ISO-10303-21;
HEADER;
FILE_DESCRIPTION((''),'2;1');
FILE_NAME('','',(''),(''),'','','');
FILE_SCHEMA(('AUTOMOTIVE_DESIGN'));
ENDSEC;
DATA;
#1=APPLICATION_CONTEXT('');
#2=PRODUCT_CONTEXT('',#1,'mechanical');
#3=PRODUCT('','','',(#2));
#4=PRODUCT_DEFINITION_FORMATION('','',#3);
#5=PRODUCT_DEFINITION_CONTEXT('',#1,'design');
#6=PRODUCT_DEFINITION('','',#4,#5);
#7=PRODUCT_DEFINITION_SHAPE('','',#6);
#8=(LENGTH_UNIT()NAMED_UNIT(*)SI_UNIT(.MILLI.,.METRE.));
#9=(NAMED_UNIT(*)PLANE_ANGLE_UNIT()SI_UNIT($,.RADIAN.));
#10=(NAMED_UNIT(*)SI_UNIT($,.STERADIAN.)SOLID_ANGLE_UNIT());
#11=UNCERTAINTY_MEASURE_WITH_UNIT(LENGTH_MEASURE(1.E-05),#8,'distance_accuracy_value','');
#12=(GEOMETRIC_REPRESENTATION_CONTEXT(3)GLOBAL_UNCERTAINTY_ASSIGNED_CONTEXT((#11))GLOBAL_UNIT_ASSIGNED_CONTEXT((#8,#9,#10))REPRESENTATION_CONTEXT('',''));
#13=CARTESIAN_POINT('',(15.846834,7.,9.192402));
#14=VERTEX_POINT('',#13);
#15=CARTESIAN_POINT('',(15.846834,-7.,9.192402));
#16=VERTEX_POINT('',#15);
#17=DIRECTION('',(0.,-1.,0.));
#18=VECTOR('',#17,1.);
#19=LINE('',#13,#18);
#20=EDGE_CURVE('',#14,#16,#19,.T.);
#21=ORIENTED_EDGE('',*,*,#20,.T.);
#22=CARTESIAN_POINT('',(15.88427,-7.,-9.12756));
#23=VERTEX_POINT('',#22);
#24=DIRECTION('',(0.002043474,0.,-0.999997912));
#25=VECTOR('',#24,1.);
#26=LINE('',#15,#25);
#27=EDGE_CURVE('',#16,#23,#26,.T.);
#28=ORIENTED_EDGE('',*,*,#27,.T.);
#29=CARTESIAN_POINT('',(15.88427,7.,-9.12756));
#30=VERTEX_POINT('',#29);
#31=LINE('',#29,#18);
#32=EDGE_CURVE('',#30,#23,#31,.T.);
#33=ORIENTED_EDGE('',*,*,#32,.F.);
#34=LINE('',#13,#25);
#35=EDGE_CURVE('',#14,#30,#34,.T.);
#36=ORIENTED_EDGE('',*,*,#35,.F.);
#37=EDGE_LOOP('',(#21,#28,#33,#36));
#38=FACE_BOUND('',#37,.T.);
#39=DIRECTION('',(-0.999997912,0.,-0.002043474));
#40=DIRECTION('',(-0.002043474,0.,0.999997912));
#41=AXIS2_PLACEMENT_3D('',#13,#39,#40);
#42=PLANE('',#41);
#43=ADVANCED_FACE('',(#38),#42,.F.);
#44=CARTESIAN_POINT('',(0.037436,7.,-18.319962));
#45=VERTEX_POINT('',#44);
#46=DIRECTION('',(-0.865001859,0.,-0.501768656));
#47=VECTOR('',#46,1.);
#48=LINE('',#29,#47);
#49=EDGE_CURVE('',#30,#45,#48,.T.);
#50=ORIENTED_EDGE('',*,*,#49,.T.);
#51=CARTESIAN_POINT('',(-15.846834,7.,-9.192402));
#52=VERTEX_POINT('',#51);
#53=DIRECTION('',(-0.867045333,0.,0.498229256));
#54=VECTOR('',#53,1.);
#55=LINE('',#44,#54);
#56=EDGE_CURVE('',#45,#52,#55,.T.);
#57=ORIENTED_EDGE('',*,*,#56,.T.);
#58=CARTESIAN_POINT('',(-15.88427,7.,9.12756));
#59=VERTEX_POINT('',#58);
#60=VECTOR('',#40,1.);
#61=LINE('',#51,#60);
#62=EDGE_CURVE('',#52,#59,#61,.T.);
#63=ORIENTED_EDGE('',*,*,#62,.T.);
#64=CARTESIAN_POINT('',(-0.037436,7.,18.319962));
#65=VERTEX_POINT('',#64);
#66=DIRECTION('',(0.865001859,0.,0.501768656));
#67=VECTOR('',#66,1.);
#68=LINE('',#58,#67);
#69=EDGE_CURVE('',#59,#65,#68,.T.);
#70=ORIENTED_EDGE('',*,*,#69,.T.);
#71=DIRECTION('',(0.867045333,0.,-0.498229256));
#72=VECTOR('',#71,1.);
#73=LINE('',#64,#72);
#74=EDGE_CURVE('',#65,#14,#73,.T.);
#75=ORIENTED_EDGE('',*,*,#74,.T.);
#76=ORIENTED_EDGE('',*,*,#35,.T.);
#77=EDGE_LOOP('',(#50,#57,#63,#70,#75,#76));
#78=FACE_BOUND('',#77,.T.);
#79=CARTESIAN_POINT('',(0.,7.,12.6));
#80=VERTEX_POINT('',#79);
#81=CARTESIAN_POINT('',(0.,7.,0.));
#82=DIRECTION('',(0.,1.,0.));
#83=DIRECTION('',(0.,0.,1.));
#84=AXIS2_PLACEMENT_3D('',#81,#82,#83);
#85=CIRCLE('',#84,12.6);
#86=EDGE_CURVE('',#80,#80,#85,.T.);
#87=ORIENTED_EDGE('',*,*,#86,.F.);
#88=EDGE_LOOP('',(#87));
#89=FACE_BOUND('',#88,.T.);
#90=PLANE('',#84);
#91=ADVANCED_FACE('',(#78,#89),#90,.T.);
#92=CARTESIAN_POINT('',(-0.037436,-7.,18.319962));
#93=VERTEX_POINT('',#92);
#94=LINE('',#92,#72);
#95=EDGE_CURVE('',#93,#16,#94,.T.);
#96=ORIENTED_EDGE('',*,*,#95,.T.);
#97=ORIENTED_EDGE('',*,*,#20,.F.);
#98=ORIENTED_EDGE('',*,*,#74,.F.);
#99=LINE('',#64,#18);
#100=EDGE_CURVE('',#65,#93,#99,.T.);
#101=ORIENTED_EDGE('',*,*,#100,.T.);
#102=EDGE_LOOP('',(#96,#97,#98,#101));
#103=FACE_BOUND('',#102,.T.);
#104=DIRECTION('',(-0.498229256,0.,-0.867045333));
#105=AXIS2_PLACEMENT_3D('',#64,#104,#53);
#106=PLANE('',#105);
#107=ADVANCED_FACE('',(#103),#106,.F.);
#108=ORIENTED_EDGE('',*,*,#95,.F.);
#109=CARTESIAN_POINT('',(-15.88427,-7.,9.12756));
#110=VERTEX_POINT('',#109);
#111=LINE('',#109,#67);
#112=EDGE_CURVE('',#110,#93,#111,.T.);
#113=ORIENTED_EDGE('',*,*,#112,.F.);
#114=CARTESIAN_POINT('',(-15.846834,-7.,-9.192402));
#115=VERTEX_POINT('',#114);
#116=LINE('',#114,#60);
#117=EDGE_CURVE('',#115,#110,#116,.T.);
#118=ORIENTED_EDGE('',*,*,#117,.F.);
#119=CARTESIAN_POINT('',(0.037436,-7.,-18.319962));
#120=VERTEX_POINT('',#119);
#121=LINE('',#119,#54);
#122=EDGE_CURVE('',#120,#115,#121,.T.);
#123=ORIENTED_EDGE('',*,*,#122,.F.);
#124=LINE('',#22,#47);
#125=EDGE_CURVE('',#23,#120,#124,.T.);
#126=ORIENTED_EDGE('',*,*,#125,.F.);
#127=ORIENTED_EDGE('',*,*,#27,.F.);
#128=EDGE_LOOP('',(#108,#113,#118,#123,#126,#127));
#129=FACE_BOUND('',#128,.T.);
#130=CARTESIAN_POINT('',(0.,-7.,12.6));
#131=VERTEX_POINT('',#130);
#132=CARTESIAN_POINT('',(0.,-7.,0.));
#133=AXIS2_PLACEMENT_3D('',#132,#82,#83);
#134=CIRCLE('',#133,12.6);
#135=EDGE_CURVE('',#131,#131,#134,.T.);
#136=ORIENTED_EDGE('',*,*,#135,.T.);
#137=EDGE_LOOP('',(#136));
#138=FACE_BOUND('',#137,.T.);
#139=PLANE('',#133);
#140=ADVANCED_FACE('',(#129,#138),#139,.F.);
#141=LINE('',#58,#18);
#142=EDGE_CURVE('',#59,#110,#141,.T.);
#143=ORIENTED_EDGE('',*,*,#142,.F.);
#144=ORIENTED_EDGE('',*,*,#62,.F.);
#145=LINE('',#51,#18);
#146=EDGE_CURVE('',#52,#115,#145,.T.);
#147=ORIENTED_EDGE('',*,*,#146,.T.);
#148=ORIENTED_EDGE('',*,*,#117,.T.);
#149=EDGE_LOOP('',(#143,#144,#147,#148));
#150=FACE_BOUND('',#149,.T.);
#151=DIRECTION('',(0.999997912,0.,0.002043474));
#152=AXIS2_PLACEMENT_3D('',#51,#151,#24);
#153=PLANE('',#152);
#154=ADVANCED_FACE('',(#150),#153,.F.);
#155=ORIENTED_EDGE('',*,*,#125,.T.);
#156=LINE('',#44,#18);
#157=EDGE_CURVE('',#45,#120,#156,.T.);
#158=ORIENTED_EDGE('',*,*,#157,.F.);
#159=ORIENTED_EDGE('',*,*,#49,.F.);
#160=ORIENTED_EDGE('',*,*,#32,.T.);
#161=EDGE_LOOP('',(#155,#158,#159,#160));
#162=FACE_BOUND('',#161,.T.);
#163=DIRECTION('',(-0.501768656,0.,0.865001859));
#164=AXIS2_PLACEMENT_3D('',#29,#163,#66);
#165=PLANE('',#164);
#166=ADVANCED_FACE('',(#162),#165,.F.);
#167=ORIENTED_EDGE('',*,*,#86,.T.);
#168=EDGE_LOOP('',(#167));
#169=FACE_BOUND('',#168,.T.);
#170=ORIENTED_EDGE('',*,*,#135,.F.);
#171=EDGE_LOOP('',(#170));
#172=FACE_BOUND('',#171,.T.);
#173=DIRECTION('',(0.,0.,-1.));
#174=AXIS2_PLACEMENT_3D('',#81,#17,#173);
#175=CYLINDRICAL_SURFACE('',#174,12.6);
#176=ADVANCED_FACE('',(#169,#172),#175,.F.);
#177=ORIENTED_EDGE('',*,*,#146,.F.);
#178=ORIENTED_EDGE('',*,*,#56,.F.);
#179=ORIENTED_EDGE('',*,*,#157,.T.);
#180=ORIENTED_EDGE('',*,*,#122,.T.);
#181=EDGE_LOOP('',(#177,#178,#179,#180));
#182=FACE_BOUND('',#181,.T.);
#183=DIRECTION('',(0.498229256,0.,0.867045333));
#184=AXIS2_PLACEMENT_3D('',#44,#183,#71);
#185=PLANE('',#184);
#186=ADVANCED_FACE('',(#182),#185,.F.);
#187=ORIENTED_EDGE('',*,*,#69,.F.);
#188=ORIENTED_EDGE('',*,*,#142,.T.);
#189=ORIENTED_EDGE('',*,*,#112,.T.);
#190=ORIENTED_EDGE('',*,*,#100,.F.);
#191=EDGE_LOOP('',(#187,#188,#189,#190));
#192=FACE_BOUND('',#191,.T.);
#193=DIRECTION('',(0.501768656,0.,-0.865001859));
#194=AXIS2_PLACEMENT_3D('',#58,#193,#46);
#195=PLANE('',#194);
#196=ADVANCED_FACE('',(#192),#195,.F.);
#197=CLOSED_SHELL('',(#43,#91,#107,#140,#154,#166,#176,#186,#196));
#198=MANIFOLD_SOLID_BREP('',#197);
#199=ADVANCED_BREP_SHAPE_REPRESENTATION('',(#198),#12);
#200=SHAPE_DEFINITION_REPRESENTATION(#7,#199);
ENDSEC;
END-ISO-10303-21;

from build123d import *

# Parameters (mm, degrees)
SKETCH3_R           = 12.6
BOSS_EXTRUDE1_DEPTH = 7


with BuildPart() as part:
    # Sketch3 → Boss-Extrude1 (new body, symmetric)
    with BuildSketch(Plane(origin=(0, 0, 0), x_dir=(1, 0, 0), z_dir=(0, 1, 0))):
        Polygon((15.846834051, -9.192401784), (15.884270492, 9.127559966), (0.037436441, 18.31996175), (-15.846834051, 9.192401784), (-15.884270492, -9.127559966), (-0.037436441, -18.31996175), align=None)
        Circle(SKETCH3_R, mode=Mode.SUBTRACT)
    extrude(amount=BOSS_EXTRUDE1_DEPTH, both=True)


solid = part.part
